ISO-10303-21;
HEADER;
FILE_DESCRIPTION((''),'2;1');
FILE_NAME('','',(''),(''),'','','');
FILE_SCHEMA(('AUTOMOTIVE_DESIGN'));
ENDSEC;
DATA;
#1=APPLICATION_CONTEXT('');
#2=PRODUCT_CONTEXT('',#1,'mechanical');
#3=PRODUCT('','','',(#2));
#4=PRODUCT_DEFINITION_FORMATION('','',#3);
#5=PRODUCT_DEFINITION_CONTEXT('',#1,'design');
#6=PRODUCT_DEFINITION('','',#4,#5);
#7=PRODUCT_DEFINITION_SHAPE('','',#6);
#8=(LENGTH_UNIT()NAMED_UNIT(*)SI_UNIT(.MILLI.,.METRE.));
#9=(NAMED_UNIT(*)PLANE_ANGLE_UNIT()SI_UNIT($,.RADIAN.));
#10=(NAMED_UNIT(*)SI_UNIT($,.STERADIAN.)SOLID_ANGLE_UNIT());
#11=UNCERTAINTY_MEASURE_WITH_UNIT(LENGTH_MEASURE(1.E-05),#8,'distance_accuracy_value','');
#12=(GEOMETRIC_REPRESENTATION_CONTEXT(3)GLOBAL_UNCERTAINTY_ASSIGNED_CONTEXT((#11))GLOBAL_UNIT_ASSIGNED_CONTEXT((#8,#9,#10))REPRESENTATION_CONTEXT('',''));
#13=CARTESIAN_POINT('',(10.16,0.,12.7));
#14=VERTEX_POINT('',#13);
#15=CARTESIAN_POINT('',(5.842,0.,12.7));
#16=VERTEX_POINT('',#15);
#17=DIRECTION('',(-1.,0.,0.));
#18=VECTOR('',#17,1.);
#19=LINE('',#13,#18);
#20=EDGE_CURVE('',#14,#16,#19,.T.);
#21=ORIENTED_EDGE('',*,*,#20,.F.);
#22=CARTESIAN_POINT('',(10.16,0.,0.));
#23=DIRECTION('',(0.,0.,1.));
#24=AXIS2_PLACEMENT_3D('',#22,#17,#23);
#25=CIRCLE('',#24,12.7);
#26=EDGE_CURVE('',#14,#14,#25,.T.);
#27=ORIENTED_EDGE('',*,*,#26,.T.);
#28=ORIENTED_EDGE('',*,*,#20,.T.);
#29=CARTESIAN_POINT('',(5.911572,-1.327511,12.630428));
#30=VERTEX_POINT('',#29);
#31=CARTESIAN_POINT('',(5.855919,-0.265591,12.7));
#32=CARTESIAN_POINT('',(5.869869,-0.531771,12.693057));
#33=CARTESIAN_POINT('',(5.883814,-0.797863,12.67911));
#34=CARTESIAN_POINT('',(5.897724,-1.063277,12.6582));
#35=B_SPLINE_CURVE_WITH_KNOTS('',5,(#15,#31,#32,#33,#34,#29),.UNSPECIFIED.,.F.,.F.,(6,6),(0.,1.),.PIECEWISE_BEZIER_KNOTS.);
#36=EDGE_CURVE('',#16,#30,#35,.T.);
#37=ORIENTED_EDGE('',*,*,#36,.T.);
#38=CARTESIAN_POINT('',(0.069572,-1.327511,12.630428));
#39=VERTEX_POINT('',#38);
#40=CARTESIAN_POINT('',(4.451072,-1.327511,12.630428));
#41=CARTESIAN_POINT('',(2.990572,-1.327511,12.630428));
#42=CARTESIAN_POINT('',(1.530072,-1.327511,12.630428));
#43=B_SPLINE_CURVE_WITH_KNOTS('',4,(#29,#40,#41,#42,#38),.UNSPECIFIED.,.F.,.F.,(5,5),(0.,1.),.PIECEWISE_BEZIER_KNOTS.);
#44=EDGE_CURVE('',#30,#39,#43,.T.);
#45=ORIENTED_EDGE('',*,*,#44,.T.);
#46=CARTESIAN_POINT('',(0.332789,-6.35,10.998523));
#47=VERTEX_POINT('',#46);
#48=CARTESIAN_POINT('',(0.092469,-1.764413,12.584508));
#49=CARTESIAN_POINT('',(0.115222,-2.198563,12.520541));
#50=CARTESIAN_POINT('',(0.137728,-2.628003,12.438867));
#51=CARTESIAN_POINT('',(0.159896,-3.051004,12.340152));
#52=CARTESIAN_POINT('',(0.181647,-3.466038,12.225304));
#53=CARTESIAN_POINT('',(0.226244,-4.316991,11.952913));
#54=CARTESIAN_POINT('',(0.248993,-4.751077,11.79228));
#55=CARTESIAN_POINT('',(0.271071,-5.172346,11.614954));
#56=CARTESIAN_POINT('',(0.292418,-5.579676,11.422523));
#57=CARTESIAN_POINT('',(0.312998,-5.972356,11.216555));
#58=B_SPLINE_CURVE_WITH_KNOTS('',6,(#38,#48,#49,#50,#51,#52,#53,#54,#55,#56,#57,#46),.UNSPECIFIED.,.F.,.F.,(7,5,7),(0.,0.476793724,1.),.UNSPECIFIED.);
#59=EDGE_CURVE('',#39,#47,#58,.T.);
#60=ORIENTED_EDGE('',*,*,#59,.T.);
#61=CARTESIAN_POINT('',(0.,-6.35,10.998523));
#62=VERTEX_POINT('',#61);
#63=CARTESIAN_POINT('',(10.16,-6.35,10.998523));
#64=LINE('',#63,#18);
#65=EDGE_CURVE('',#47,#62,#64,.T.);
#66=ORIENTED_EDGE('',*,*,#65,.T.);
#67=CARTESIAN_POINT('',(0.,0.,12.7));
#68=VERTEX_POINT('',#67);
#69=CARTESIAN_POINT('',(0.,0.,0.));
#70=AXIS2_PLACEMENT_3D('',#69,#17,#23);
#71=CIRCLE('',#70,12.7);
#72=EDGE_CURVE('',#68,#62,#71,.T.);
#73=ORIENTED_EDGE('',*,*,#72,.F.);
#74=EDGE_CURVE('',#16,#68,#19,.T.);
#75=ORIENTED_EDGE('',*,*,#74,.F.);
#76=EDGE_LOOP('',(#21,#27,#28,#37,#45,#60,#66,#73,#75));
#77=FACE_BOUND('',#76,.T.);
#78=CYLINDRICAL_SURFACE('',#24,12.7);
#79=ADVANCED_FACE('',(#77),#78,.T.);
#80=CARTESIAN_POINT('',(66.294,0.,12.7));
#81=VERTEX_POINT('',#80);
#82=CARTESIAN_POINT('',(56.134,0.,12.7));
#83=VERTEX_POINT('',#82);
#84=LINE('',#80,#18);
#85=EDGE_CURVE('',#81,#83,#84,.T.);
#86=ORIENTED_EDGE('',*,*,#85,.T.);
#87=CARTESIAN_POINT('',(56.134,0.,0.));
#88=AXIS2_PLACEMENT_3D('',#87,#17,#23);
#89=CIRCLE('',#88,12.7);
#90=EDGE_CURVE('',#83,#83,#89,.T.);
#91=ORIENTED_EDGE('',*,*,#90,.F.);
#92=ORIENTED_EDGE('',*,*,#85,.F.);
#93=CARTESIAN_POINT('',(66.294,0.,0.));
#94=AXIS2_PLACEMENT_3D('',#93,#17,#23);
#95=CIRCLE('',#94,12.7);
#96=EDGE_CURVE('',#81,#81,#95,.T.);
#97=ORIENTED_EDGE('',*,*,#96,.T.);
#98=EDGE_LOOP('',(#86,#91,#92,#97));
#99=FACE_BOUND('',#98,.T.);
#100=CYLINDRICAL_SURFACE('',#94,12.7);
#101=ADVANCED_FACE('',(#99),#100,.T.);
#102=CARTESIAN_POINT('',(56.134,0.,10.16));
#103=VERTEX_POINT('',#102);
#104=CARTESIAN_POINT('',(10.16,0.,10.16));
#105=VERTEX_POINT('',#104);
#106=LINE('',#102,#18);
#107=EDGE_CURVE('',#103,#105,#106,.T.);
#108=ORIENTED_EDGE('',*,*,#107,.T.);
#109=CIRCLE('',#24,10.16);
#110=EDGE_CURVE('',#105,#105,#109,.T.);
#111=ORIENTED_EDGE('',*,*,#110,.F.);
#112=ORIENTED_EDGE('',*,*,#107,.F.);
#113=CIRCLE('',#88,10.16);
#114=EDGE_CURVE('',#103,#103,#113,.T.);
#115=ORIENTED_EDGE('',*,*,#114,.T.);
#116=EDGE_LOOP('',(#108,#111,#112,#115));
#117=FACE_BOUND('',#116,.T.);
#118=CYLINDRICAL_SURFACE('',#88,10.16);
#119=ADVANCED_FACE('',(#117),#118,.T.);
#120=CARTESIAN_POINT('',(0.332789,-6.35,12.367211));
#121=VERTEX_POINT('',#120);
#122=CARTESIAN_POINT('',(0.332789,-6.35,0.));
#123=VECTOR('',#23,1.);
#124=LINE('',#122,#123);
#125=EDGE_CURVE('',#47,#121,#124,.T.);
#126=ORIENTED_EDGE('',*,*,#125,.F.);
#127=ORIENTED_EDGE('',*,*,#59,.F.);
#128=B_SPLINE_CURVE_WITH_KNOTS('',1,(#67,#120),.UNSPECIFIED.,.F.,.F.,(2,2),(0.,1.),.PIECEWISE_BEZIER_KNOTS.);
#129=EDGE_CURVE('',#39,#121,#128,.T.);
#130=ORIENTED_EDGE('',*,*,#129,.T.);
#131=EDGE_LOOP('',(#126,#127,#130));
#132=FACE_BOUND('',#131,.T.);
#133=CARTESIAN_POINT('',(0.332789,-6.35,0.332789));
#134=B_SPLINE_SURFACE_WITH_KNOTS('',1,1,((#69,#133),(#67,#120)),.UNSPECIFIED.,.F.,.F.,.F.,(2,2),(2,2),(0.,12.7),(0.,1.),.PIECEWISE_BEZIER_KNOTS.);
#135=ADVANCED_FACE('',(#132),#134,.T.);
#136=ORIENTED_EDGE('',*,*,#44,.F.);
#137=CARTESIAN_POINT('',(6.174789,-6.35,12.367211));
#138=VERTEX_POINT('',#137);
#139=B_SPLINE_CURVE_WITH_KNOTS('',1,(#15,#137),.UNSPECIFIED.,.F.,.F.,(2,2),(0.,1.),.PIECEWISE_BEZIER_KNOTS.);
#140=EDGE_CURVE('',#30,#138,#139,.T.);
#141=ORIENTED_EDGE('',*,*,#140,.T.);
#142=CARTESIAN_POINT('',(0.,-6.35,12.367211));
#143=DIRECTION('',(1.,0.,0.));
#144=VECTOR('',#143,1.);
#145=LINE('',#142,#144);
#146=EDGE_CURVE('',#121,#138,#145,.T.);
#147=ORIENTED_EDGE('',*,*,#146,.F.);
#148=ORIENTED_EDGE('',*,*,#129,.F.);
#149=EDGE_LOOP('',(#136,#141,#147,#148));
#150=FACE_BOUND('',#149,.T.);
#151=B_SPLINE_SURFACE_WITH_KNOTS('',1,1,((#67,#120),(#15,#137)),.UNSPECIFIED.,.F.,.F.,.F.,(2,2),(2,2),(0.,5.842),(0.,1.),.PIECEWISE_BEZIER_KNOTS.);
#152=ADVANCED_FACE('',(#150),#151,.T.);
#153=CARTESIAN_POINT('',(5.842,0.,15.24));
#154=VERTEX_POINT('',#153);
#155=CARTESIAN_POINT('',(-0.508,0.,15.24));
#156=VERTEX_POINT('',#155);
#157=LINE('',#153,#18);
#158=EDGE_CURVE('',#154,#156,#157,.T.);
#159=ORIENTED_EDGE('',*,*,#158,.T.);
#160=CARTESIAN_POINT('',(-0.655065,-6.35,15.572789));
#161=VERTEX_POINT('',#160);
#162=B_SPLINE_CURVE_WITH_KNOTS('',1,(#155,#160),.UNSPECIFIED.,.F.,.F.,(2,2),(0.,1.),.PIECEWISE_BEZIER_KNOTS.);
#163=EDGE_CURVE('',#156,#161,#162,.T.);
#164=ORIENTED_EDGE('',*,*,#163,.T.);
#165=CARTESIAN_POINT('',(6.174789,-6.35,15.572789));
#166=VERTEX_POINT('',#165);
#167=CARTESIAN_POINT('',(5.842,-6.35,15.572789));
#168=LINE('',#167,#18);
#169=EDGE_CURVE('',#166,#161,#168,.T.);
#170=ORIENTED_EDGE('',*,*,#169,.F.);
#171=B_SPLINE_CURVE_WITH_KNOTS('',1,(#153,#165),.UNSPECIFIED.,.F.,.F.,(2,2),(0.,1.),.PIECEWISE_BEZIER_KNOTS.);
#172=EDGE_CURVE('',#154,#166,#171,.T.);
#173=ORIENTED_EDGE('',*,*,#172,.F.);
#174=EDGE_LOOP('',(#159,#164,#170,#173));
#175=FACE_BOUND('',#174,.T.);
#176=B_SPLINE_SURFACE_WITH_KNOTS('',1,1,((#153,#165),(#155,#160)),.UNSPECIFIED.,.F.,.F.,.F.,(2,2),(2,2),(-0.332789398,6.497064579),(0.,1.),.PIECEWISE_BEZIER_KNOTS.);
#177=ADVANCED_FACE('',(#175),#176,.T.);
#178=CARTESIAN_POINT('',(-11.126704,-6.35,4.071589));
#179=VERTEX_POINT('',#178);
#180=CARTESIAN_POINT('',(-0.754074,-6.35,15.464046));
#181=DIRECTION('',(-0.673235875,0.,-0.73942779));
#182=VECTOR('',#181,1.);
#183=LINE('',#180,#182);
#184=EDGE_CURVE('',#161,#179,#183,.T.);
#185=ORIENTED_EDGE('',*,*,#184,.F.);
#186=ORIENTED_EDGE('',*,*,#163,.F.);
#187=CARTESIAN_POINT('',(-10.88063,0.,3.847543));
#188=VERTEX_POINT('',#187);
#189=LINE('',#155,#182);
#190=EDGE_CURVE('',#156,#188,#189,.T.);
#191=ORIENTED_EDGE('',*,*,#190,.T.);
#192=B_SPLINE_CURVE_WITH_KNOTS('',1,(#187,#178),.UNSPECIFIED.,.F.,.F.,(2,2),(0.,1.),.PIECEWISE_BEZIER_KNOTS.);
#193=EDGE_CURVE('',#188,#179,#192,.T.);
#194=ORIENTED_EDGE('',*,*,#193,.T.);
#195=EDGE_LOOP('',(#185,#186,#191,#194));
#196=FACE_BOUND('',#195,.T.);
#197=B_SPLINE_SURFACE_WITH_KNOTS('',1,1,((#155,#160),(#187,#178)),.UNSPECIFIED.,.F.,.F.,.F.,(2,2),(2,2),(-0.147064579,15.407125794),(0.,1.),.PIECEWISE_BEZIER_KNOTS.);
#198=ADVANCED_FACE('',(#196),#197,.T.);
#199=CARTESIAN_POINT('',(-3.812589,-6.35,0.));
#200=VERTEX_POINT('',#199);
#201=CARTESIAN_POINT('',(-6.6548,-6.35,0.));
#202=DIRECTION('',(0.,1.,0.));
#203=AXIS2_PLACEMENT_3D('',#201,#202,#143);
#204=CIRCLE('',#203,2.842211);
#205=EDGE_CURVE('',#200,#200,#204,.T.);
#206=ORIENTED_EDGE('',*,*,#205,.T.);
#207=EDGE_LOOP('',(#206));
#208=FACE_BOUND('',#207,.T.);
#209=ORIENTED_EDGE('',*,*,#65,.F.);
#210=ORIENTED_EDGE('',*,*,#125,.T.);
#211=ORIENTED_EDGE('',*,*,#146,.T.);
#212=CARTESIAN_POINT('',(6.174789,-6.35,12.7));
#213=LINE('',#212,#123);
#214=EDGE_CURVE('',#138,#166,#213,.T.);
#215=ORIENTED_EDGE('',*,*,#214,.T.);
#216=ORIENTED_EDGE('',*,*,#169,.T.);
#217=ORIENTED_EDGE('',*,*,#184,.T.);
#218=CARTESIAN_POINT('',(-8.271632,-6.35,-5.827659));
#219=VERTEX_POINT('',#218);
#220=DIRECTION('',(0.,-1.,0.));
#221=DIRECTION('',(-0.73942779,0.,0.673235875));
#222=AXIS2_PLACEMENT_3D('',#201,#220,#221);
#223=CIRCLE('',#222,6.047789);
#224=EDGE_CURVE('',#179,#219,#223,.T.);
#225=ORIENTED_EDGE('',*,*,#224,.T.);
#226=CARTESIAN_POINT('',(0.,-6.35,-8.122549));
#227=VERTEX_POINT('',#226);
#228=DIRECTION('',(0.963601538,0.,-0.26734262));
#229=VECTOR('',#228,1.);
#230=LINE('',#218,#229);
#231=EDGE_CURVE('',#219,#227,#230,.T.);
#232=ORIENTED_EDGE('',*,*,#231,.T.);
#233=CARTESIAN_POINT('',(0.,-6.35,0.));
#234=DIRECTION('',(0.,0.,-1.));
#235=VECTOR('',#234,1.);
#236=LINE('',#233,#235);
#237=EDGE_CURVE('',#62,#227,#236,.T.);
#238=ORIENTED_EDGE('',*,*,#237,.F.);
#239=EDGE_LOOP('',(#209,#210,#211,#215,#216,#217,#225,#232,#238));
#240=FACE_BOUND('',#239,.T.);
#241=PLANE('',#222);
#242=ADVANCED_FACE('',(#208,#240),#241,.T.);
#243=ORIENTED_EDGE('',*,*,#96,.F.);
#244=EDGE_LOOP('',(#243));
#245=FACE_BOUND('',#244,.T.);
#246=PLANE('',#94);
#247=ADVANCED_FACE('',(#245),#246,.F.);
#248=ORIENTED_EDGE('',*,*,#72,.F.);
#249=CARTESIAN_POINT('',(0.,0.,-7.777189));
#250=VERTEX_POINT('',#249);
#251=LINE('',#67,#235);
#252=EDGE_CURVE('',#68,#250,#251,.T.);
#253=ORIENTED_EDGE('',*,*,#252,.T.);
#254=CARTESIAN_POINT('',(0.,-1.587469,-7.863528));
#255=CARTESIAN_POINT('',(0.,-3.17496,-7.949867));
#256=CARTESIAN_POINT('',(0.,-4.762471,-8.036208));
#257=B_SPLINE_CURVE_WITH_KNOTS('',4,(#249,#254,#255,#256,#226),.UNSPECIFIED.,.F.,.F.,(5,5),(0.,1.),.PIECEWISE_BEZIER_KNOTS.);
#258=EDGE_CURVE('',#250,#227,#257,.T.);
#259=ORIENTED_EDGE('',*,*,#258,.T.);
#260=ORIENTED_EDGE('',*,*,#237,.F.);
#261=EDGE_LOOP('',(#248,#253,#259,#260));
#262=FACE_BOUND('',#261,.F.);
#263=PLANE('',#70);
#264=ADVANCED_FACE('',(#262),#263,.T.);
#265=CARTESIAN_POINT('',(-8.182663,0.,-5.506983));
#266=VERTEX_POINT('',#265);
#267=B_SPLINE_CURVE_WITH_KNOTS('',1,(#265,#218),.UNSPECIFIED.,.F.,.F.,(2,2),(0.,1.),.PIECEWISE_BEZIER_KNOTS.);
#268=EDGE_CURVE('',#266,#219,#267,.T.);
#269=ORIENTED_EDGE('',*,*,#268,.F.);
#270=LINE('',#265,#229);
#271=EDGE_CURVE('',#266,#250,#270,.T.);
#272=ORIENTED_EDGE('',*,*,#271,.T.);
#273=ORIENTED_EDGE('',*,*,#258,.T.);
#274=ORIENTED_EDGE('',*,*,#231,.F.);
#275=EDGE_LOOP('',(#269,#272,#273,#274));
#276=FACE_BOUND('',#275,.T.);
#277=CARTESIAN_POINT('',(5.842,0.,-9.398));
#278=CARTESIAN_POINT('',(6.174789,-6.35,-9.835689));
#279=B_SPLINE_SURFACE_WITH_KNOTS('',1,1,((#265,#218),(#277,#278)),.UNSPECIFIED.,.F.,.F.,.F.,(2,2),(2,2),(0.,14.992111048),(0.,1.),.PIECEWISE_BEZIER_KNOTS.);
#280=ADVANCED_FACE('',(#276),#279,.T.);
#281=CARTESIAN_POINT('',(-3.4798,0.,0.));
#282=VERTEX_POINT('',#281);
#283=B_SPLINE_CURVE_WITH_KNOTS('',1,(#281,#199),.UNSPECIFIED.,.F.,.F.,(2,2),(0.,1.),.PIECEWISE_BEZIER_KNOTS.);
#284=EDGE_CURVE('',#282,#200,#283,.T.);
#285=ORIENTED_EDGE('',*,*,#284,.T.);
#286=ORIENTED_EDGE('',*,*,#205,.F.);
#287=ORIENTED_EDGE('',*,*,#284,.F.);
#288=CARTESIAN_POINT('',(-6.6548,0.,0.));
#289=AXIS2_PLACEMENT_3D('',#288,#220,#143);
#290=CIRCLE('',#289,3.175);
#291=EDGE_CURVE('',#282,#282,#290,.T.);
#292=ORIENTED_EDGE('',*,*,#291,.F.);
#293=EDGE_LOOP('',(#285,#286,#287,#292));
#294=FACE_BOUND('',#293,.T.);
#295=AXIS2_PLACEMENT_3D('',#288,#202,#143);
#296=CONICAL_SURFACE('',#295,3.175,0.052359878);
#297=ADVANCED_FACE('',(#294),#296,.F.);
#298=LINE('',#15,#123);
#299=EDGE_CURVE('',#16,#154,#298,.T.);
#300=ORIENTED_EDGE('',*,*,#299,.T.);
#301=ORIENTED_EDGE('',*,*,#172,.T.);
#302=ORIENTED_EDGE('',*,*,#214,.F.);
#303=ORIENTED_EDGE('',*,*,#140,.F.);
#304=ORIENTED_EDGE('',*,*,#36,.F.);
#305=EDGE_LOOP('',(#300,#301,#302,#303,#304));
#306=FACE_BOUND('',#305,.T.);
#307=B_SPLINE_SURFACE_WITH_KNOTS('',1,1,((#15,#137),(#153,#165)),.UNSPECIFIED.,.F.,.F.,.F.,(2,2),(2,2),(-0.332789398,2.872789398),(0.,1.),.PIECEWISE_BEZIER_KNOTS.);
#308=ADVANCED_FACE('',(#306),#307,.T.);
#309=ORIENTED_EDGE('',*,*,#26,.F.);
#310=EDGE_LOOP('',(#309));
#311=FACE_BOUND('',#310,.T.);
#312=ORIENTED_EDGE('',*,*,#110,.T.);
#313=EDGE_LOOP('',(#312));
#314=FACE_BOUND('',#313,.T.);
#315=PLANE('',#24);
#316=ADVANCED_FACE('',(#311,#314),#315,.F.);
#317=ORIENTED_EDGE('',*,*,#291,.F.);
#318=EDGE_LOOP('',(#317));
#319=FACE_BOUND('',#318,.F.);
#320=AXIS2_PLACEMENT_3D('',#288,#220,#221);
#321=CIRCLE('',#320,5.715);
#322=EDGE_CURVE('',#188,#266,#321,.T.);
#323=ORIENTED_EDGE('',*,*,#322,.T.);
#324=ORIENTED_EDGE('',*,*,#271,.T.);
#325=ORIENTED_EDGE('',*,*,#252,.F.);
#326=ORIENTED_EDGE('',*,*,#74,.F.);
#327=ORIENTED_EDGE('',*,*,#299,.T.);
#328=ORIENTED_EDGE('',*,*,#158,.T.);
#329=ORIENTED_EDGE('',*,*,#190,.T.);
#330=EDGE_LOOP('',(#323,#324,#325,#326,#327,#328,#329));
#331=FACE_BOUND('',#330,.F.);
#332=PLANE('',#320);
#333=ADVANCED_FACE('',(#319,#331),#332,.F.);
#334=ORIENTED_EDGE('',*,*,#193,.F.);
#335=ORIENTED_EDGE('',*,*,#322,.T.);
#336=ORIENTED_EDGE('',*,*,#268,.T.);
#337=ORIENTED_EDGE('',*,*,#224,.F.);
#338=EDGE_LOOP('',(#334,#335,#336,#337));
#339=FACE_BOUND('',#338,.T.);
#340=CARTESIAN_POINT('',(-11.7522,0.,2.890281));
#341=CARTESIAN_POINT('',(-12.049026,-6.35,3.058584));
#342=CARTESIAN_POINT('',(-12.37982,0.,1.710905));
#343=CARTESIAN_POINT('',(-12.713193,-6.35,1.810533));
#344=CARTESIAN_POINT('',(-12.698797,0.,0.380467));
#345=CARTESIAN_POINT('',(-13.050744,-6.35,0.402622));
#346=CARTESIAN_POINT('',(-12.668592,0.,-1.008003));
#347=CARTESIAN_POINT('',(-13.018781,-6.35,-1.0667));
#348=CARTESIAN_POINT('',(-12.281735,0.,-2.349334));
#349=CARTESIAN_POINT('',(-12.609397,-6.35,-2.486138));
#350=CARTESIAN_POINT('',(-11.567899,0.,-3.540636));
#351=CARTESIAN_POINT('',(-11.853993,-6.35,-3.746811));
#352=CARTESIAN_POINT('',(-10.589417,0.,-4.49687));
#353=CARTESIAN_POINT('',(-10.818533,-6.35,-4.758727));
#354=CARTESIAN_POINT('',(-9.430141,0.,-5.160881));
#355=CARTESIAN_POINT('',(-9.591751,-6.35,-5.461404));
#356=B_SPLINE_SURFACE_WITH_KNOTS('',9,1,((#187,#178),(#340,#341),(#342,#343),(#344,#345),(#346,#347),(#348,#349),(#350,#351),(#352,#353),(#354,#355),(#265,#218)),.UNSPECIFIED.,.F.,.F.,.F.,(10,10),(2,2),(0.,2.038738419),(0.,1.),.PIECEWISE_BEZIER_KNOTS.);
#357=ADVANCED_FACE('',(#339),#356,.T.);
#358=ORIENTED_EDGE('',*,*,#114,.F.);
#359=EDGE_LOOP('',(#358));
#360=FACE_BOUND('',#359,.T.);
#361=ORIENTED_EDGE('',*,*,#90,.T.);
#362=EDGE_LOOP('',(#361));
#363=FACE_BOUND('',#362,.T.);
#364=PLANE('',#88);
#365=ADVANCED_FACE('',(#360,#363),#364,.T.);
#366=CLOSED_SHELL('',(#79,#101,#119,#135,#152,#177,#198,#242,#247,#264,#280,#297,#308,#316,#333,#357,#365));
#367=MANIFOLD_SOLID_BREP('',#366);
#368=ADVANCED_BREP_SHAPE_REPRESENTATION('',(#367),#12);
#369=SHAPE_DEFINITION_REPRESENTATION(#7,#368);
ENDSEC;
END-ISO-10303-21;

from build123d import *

# Parameters (mm, degrees)
F0_W     = 5.842
F0_H     = 12.7
F0_R     = 3.175
F2_DEPTH = 6.35
F2_TAPER = -3


with BuildPart() as f1:
    # F0 (on Front) → F1 (revolve)
    with BuildSketch(Plane.XZ):
        Polygon((5.842, 12.7), (5.842, 0), (66.294, 0), (66.294, 12.7), (56.134, 12.7), (56.134, 10.16), (10.16, 10.16), (10.16, 12.7), align=None)
        with Locations((2.921, 6.35)):
            Rectangle(F0_W, F0_H)
    revolve(axis=Axis((33.147, 0, 0), (-1, 0, 0)))

    # F0 (on Front) → F2 (join)
    with BuildSketch(Plane.XZ):
        with BuildLine():
            Line((-0.9398, 0), (0, 0))
            Line((0, 0), (0, 12.7))
            Line((0, 12.7), (5.842, 12.7))
            Line((5.842, 12.7), (5.842, 15.24))
            Line((5.842, 15.24), (-0.508, 15.24))
            Line((-0.508, 15.24), (-10.8806298187, 3.8475430269))
            ThreePointArc((-10.8806298187, 3.8475430269), (-4.5919612295, 5.3297205562), (-0.9398, 0))
        make_face()
        with BuildLine():
            ThreePointArc((-8.1826630726, -5.5069827884), (-3.1957909266, -4.5493385486), (-0.9398, 0))
            ThreePointArc((-0.9398, 0), (-4.5919612295, 5.3297205562), (-10.8806298187, 3.8475430269))
            ThreePointArc((-10.8806298187, 3.8475430269), (-12.1459778134, -1.5837270034), (-8.1826630726, -5.5069827884))
        make_face()
        with Locations((-6.6548, 0)):
            Circle(F0_R, mode=Mode.SUBTRACT)
        with BuildLine():
            Line((5.842, 0), (0, 0))
            Line((0, 0), (-0.9398, 0))
            ThreePointArc((-0.9398, 0), (-3.1957909266, -4.5493385486), (-8.1826630726, -5.5069827884))
            Line((-8.1826630726, -5.5069827884), (5.842, -9.398))
            Line((5.842, -9.398), (5.842, 0))
        make_face()
    extrude(amount=F2_DEPTH, taper=F2_TAPER)


solid = f1.part
